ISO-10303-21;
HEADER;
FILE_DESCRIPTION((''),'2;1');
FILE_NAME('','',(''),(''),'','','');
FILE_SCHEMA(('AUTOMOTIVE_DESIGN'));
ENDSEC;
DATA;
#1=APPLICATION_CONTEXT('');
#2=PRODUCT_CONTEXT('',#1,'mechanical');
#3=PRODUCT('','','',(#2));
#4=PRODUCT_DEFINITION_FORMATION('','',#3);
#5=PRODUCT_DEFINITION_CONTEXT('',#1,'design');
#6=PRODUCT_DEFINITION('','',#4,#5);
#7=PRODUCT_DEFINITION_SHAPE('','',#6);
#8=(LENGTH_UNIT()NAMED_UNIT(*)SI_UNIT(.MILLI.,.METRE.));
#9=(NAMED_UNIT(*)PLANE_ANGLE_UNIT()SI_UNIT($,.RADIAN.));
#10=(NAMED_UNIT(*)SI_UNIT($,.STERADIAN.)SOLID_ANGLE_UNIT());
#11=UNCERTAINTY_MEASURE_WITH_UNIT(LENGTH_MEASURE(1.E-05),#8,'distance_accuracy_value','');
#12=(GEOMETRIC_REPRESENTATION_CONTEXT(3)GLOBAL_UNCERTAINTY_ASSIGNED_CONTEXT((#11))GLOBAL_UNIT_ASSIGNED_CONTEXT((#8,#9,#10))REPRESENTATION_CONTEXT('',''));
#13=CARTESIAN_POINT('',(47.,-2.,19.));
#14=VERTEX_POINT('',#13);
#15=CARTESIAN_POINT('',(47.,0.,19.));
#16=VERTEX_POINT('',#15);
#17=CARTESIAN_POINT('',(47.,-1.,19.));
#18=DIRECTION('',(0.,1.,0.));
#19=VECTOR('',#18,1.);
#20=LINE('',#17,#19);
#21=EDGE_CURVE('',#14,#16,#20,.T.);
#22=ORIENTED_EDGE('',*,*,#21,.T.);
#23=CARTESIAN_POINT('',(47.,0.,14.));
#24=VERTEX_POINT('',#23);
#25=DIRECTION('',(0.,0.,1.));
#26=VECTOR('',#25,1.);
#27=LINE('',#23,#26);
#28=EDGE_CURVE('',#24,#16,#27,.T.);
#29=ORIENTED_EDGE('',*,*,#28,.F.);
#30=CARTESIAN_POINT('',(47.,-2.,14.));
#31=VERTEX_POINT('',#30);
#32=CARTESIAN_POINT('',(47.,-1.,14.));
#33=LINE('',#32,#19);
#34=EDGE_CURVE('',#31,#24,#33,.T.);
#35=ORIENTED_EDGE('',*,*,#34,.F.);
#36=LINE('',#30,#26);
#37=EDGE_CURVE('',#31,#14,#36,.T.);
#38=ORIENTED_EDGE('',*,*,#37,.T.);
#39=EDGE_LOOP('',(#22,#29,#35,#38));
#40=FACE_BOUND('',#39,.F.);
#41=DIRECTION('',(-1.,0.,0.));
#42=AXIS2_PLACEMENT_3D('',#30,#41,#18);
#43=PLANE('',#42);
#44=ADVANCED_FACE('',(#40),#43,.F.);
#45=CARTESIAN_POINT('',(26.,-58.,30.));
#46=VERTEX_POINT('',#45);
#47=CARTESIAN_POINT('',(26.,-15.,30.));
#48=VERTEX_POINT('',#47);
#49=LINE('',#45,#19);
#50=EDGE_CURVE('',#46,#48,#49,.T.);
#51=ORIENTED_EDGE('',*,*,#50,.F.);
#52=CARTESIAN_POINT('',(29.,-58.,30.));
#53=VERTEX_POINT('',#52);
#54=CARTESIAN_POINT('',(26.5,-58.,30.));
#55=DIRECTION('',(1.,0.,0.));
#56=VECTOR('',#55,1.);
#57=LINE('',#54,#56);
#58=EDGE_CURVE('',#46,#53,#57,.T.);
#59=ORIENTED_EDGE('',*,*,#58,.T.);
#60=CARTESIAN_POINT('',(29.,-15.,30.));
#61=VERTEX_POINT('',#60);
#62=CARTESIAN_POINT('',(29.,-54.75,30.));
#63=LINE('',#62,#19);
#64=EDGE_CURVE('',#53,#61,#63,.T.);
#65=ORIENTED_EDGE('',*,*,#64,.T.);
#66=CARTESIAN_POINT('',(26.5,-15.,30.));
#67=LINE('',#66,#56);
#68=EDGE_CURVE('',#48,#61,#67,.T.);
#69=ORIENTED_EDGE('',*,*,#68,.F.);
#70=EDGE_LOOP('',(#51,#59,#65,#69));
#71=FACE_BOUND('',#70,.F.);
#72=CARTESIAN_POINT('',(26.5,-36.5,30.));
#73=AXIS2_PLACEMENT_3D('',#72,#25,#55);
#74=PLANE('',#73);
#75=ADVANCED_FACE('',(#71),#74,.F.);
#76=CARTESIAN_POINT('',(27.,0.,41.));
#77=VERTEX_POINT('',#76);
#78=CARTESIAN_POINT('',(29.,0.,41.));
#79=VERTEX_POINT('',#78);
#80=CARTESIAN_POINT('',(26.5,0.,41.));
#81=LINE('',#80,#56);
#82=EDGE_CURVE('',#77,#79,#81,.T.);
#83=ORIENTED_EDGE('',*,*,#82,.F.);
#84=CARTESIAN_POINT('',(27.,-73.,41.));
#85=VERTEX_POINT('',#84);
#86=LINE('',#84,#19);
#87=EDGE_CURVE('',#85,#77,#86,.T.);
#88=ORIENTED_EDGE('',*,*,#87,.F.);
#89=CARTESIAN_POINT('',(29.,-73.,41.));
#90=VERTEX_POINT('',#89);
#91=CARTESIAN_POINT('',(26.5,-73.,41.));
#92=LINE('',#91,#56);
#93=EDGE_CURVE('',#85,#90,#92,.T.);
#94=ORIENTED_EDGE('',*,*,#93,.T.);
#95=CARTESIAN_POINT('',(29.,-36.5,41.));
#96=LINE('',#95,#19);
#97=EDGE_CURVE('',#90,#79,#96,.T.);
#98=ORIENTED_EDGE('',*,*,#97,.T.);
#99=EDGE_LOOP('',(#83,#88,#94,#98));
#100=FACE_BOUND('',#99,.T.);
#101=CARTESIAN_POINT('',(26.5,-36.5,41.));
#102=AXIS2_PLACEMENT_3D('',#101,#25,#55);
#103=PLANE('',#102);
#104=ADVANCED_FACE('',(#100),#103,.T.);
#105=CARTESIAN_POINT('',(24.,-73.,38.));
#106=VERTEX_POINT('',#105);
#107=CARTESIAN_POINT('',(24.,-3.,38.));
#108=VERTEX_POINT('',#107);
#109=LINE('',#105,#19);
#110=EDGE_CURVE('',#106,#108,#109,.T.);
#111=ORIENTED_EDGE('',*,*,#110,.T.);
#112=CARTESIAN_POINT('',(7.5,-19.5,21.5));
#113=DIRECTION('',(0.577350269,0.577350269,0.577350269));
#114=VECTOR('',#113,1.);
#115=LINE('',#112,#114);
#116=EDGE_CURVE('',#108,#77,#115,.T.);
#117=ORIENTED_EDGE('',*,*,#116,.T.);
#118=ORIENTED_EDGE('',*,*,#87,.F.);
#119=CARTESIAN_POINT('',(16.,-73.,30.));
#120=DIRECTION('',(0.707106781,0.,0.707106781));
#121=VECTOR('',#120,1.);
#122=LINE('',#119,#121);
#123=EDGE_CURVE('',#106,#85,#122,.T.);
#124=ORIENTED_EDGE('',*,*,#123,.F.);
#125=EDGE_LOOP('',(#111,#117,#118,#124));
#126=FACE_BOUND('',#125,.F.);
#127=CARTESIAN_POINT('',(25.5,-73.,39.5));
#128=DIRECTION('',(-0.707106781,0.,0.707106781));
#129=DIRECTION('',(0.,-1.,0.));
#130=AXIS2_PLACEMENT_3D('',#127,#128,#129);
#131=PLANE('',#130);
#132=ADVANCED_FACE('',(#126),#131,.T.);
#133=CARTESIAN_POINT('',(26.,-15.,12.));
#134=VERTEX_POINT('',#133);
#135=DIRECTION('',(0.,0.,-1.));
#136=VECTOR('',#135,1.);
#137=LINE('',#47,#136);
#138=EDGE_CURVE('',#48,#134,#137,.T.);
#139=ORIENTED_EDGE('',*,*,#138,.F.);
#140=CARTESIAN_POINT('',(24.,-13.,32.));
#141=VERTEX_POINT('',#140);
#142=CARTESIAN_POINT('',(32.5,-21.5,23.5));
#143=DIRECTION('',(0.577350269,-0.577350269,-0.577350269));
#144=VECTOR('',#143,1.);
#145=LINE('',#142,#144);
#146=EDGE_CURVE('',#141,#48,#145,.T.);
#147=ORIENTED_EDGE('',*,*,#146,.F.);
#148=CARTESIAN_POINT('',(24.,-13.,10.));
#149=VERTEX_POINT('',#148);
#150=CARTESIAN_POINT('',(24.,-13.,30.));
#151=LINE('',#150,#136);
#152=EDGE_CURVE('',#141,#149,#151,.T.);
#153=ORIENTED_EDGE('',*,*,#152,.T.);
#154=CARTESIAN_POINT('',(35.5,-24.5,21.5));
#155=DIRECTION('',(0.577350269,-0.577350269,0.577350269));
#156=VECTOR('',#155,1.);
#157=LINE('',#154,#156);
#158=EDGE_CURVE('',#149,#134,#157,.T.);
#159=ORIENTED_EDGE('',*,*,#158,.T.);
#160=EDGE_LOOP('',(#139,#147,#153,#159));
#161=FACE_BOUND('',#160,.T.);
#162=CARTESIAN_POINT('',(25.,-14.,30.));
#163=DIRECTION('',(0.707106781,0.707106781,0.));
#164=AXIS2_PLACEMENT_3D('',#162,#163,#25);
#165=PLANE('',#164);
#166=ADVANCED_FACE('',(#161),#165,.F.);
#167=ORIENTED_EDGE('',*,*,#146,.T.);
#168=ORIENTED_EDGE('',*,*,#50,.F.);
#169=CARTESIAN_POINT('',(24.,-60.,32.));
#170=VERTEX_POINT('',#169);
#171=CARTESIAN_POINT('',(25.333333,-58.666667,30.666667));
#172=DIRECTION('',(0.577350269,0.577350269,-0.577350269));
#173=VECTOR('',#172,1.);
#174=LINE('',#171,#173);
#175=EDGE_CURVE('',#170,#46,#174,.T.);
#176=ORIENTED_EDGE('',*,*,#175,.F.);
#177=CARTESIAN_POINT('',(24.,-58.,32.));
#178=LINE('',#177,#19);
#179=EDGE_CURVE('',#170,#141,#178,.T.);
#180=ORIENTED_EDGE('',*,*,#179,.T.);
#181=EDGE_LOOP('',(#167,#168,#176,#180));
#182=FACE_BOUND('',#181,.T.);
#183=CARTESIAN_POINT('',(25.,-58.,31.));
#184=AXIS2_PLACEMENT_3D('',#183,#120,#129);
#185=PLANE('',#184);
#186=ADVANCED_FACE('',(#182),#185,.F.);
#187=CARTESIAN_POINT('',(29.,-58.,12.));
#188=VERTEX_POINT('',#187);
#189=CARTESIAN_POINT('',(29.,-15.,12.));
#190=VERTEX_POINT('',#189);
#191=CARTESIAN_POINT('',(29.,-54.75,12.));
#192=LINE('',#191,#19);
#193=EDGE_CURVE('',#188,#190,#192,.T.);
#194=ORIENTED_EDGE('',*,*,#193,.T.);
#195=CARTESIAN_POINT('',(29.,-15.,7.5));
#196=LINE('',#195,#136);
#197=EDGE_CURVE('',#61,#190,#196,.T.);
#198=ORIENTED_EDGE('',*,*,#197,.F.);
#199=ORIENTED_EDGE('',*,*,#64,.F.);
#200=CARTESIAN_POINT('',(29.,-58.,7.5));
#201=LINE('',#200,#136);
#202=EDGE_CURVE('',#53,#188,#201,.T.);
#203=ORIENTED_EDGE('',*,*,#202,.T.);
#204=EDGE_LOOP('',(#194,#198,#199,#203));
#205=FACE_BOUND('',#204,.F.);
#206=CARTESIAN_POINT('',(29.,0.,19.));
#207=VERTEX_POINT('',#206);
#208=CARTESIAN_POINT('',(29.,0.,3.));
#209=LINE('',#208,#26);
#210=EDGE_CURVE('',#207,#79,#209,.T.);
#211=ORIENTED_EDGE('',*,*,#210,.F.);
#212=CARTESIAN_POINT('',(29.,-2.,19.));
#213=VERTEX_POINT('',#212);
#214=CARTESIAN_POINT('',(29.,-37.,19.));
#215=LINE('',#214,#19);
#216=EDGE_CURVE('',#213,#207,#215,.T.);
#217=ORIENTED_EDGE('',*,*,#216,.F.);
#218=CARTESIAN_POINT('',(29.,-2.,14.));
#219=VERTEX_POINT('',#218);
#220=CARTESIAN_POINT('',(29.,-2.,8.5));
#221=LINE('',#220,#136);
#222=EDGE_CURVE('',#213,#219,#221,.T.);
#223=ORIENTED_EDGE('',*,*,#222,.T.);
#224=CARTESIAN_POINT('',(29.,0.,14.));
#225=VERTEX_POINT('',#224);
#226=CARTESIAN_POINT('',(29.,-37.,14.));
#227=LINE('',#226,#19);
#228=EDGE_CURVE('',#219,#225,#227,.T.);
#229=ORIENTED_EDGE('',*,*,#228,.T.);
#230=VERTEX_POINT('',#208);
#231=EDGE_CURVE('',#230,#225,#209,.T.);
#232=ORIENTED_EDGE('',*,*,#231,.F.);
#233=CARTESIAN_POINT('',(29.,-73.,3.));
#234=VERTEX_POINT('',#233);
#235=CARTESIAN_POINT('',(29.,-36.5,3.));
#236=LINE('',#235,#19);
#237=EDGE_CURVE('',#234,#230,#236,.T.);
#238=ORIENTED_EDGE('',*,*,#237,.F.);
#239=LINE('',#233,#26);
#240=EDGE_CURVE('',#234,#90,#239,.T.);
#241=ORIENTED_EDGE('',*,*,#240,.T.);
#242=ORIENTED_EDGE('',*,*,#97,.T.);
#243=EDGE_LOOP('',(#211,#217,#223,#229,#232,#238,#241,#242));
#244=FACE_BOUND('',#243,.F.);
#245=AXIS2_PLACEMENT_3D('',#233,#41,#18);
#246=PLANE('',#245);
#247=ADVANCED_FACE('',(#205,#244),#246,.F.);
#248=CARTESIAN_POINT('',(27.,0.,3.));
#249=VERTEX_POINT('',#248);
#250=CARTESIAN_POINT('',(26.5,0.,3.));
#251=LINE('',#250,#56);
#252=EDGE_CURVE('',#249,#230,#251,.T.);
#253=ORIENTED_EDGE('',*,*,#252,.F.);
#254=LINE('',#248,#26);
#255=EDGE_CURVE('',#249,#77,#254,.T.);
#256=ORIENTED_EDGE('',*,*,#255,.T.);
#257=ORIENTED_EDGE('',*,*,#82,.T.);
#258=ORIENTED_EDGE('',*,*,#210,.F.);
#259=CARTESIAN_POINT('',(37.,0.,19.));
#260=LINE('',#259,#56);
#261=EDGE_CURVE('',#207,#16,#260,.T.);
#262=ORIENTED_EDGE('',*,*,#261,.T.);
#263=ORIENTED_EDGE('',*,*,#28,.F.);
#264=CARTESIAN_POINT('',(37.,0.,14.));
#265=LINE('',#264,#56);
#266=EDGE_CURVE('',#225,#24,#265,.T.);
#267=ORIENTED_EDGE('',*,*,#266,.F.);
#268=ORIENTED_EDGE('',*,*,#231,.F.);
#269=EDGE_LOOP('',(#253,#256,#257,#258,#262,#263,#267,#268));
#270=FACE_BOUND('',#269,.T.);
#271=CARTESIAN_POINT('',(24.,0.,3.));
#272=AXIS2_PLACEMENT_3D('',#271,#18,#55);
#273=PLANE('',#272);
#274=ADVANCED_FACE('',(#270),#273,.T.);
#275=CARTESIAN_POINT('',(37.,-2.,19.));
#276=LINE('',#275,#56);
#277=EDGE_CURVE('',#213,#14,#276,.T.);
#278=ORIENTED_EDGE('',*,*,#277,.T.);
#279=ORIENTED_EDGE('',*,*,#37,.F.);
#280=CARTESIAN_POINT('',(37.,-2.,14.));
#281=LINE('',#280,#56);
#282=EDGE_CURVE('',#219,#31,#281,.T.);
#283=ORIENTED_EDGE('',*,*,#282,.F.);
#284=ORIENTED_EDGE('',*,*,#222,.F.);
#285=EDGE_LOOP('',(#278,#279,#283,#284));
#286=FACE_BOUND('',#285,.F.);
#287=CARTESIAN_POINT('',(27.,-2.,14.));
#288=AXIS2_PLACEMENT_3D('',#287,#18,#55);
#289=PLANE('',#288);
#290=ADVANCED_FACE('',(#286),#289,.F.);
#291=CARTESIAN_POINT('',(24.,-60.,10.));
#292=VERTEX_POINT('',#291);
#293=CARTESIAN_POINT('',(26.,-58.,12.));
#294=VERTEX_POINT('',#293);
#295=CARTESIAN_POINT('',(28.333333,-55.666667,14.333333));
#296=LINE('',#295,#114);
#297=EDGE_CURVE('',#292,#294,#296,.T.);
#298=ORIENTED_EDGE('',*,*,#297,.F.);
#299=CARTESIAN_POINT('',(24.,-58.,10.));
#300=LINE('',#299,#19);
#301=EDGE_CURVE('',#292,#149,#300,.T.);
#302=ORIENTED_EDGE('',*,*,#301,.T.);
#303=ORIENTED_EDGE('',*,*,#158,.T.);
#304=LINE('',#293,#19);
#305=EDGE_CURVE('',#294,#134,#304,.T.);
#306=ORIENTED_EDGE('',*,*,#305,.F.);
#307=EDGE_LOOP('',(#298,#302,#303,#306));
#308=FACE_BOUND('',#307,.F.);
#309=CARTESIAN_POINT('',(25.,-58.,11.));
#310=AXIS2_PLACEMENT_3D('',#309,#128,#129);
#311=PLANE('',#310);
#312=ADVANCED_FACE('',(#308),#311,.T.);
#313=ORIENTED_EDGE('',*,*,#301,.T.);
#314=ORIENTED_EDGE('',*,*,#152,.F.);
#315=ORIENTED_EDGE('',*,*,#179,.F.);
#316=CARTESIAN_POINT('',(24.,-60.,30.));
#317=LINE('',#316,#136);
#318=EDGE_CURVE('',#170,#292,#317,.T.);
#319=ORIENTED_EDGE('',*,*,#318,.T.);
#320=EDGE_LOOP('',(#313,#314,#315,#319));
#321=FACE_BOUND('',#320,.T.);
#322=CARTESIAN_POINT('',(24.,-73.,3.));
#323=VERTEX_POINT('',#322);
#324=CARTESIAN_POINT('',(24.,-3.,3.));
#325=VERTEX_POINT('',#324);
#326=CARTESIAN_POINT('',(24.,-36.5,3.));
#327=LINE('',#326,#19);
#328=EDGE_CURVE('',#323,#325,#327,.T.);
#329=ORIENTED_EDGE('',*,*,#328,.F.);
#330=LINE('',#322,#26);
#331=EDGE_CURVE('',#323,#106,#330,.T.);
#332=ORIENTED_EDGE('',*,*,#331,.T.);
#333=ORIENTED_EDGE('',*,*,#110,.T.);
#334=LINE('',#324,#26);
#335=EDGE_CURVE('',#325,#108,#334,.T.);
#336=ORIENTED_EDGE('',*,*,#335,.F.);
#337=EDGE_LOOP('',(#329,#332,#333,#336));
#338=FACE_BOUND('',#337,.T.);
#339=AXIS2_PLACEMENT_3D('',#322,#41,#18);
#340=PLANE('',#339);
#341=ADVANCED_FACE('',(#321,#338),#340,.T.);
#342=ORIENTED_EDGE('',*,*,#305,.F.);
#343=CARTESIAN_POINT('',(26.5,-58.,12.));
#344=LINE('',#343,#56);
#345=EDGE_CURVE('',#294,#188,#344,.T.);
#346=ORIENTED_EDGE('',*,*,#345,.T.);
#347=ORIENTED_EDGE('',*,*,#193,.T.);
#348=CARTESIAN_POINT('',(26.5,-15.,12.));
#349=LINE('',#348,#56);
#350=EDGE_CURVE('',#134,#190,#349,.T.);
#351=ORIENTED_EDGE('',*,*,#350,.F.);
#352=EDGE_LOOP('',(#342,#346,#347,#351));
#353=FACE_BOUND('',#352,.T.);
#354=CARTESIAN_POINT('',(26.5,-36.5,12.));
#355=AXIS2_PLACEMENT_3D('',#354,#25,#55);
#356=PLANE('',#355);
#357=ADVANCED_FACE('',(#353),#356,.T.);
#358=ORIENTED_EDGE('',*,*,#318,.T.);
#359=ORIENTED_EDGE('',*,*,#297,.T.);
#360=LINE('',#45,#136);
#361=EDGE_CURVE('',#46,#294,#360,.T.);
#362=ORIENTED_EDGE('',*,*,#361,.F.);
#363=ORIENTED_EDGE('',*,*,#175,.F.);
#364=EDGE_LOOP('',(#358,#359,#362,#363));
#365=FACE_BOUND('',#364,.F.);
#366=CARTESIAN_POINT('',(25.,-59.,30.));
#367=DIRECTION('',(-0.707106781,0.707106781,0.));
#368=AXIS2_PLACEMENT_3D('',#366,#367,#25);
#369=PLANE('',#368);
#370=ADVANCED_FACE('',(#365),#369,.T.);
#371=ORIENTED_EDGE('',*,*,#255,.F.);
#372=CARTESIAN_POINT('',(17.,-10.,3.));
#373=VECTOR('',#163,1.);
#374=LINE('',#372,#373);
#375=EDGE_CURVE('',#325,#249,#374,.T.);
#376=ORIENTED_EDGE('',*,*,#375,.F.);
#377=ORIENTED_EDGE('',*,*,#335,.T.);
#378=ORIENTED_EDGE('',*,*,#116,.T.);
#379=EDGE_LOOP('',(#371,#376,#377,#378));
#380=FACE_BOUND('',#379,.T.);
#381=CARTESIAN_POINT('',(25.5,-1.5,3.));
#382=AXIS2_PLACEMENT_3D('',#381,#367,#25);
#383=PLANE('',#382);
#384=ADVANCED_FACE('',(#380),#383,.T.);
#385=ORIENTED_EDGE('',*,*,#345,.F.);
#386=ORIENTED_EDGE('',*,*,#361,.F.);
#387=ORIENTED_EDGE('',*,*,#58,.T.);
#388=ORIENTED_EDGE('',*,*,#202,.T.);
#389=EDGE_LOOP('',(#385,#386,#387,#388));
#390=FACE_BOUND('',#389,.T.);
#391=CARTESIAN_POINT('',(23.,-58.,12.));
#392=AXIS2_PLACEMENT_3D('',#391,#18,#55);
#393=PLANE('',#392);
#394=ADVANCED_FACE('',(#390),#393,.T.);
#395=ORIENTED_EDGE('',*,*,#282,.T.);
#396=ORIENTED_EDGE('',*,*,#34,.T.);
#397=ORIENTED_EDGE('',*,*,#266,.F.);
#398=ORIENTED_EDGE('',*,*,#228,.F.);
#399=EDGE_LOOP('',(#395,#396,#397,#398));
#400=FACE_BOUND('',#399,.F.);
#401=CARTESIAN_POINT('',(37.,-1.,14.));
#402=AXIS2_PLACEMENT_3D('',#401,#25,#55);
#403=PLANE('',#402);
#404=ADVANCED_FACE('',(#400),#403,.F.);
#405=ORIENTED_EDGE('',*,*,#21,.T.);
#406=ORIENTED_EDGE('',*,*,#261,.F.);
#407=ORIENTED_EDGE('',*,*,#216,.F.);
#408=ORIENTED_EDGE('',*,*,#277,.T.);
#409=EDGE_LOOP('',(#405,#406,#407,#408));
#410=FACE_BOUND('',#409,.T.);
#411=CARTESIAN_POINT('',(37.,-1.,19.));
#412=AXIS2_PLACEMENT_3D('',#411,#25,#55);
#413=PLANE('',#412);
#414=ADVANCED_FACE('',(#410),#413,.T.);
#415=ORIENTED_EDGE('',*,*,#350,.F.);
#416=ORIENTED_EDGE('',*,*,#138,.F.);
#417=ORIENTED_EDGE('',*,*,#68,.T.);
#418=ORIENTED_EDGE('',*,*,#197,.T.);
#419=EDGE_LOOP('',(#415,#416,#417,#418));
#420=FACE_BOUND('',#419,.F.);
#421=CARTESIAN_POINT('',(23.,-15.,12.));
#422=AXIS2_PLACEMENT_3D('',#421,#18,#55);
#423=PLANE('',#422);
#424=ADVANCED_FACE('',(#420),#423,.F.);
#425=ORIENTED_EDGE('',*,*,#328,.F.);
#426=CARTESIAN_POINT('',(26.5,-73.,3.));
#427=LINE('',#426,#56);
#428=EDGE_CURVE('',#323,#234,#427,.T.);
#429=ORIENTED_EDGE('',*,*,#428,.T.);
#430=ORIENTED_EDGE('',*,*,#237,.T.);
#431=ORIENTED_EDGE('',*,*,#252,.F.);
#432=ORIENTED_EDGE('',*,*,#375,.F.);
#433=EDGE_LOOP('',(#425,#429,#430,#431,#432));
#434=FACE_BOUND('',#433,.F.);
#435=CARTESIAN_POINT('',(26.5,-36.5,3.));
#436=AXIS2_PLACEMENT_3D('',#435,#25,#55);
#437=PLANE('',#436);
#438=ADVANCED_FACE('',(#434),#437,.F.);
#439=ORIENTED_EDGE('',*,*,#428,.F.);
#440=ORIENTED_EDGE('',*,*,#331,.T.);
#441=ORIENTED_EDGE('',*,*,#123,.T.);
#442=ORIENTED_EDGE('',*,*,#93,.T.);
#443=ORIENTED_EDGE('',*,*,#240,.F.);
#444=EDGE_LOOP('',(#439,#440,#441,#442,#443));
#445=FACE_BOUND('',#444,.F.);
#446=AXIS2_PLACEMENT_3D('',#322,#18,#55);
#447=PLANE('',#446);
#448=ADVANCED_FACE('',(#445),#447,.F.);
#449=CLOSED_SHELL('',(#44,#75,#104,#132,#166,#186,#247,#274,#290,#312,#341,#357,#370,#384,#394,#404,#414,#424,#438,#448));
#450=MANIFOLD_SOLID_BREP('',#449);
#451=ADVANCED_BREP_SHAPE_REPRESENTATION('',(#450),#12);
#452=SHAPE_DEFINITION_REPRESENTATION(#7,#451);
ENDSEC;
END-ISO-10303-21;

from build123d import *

# Parameters (mm, degrees)
BOX030_W        = 20
BOX030_H        = 2
BOX030_DEPTH    = 5
BOX029_W        = 7
BOX029_H        = 43
BOX029_DEPTH    = 18
BOX028_W        = 5
BOX028_H        = 73
BOX028_DEPTH    = 38
CHAMFER009_SIZE = 3
CHAMFER010_SIZE = 2


with BuildPart() as cube005:
    # Box030 → Box030 (new body)
    with BuildSketch(Plane(origin=(20, -4, 16), x_dir=(1, 0, 0), z_dir=(0, 0, 1))):
        with Locations((10, 1)):
            Rectangle(BOX030_W, BOX030_H)
    extrude(amount=BOX030_DEPTH)


with BuildPart() as restriccion_lipo003:
    # Box029 → Box029 (new body)
    with BuildSketch(Plane(origin=(16, -60, 14), x_dir=(1, 0, 0), z_dir=(0, 0, 1))):
        with Locations((3.5, 21.5)):
            Rectangle(BOX029_W, BOX029_H)
    extrude(amount=BOX029_DEPTH)


with BuildPart() as rejillas_lipo001:
    # Box028 → Box028 (new body)
    with BuildSketch(Plane(origin=(17, -75, 5), x_dir=(1, 0, 0), z_dir=(0, 0, 1))):
        with Locations((2.5, 36.5)):
            Rectangle(BOX028_W, BOX028_H)
    extrude(amount=BOX028_DEPTH)

    # Cut043: cut restriccion-lipo003
    add(restriccion_lipo003.part, mode=Mode.SUBTRACT)

    # Chamfer009
    chamfer009_edges = [rejillas_lipo001.edges().sort_by_distance(p)[0] for p in [
        (17, -38.5, 43),
        (17, -2, 24),
    ]]
    chamfer(chamfer009_edges, length=CHAMFER009_SIZE)

    # Chamfer010
    chamfer010_edges = [rejillas_lipo001.edges().sort_by_distance(p)[0] for p in [
        (17, -38.5, 14),
        (17, -17, 23),
        (17, -38.5, 32),
        (17, -60, 23),
    ]]
    chamfer(chamfer010_edges, length=CHAMFER010_SIZE)

    # Fusion001064: union Cube005
    add(cube005.part)


with BuildPart() as rejillas_lipo001_1:
    # Fusion001064 placement: moved
    add(rejillas_lipo001.part.moved(Location((7, 2, -2))))


solid = rejillas_lipo001_1.part
